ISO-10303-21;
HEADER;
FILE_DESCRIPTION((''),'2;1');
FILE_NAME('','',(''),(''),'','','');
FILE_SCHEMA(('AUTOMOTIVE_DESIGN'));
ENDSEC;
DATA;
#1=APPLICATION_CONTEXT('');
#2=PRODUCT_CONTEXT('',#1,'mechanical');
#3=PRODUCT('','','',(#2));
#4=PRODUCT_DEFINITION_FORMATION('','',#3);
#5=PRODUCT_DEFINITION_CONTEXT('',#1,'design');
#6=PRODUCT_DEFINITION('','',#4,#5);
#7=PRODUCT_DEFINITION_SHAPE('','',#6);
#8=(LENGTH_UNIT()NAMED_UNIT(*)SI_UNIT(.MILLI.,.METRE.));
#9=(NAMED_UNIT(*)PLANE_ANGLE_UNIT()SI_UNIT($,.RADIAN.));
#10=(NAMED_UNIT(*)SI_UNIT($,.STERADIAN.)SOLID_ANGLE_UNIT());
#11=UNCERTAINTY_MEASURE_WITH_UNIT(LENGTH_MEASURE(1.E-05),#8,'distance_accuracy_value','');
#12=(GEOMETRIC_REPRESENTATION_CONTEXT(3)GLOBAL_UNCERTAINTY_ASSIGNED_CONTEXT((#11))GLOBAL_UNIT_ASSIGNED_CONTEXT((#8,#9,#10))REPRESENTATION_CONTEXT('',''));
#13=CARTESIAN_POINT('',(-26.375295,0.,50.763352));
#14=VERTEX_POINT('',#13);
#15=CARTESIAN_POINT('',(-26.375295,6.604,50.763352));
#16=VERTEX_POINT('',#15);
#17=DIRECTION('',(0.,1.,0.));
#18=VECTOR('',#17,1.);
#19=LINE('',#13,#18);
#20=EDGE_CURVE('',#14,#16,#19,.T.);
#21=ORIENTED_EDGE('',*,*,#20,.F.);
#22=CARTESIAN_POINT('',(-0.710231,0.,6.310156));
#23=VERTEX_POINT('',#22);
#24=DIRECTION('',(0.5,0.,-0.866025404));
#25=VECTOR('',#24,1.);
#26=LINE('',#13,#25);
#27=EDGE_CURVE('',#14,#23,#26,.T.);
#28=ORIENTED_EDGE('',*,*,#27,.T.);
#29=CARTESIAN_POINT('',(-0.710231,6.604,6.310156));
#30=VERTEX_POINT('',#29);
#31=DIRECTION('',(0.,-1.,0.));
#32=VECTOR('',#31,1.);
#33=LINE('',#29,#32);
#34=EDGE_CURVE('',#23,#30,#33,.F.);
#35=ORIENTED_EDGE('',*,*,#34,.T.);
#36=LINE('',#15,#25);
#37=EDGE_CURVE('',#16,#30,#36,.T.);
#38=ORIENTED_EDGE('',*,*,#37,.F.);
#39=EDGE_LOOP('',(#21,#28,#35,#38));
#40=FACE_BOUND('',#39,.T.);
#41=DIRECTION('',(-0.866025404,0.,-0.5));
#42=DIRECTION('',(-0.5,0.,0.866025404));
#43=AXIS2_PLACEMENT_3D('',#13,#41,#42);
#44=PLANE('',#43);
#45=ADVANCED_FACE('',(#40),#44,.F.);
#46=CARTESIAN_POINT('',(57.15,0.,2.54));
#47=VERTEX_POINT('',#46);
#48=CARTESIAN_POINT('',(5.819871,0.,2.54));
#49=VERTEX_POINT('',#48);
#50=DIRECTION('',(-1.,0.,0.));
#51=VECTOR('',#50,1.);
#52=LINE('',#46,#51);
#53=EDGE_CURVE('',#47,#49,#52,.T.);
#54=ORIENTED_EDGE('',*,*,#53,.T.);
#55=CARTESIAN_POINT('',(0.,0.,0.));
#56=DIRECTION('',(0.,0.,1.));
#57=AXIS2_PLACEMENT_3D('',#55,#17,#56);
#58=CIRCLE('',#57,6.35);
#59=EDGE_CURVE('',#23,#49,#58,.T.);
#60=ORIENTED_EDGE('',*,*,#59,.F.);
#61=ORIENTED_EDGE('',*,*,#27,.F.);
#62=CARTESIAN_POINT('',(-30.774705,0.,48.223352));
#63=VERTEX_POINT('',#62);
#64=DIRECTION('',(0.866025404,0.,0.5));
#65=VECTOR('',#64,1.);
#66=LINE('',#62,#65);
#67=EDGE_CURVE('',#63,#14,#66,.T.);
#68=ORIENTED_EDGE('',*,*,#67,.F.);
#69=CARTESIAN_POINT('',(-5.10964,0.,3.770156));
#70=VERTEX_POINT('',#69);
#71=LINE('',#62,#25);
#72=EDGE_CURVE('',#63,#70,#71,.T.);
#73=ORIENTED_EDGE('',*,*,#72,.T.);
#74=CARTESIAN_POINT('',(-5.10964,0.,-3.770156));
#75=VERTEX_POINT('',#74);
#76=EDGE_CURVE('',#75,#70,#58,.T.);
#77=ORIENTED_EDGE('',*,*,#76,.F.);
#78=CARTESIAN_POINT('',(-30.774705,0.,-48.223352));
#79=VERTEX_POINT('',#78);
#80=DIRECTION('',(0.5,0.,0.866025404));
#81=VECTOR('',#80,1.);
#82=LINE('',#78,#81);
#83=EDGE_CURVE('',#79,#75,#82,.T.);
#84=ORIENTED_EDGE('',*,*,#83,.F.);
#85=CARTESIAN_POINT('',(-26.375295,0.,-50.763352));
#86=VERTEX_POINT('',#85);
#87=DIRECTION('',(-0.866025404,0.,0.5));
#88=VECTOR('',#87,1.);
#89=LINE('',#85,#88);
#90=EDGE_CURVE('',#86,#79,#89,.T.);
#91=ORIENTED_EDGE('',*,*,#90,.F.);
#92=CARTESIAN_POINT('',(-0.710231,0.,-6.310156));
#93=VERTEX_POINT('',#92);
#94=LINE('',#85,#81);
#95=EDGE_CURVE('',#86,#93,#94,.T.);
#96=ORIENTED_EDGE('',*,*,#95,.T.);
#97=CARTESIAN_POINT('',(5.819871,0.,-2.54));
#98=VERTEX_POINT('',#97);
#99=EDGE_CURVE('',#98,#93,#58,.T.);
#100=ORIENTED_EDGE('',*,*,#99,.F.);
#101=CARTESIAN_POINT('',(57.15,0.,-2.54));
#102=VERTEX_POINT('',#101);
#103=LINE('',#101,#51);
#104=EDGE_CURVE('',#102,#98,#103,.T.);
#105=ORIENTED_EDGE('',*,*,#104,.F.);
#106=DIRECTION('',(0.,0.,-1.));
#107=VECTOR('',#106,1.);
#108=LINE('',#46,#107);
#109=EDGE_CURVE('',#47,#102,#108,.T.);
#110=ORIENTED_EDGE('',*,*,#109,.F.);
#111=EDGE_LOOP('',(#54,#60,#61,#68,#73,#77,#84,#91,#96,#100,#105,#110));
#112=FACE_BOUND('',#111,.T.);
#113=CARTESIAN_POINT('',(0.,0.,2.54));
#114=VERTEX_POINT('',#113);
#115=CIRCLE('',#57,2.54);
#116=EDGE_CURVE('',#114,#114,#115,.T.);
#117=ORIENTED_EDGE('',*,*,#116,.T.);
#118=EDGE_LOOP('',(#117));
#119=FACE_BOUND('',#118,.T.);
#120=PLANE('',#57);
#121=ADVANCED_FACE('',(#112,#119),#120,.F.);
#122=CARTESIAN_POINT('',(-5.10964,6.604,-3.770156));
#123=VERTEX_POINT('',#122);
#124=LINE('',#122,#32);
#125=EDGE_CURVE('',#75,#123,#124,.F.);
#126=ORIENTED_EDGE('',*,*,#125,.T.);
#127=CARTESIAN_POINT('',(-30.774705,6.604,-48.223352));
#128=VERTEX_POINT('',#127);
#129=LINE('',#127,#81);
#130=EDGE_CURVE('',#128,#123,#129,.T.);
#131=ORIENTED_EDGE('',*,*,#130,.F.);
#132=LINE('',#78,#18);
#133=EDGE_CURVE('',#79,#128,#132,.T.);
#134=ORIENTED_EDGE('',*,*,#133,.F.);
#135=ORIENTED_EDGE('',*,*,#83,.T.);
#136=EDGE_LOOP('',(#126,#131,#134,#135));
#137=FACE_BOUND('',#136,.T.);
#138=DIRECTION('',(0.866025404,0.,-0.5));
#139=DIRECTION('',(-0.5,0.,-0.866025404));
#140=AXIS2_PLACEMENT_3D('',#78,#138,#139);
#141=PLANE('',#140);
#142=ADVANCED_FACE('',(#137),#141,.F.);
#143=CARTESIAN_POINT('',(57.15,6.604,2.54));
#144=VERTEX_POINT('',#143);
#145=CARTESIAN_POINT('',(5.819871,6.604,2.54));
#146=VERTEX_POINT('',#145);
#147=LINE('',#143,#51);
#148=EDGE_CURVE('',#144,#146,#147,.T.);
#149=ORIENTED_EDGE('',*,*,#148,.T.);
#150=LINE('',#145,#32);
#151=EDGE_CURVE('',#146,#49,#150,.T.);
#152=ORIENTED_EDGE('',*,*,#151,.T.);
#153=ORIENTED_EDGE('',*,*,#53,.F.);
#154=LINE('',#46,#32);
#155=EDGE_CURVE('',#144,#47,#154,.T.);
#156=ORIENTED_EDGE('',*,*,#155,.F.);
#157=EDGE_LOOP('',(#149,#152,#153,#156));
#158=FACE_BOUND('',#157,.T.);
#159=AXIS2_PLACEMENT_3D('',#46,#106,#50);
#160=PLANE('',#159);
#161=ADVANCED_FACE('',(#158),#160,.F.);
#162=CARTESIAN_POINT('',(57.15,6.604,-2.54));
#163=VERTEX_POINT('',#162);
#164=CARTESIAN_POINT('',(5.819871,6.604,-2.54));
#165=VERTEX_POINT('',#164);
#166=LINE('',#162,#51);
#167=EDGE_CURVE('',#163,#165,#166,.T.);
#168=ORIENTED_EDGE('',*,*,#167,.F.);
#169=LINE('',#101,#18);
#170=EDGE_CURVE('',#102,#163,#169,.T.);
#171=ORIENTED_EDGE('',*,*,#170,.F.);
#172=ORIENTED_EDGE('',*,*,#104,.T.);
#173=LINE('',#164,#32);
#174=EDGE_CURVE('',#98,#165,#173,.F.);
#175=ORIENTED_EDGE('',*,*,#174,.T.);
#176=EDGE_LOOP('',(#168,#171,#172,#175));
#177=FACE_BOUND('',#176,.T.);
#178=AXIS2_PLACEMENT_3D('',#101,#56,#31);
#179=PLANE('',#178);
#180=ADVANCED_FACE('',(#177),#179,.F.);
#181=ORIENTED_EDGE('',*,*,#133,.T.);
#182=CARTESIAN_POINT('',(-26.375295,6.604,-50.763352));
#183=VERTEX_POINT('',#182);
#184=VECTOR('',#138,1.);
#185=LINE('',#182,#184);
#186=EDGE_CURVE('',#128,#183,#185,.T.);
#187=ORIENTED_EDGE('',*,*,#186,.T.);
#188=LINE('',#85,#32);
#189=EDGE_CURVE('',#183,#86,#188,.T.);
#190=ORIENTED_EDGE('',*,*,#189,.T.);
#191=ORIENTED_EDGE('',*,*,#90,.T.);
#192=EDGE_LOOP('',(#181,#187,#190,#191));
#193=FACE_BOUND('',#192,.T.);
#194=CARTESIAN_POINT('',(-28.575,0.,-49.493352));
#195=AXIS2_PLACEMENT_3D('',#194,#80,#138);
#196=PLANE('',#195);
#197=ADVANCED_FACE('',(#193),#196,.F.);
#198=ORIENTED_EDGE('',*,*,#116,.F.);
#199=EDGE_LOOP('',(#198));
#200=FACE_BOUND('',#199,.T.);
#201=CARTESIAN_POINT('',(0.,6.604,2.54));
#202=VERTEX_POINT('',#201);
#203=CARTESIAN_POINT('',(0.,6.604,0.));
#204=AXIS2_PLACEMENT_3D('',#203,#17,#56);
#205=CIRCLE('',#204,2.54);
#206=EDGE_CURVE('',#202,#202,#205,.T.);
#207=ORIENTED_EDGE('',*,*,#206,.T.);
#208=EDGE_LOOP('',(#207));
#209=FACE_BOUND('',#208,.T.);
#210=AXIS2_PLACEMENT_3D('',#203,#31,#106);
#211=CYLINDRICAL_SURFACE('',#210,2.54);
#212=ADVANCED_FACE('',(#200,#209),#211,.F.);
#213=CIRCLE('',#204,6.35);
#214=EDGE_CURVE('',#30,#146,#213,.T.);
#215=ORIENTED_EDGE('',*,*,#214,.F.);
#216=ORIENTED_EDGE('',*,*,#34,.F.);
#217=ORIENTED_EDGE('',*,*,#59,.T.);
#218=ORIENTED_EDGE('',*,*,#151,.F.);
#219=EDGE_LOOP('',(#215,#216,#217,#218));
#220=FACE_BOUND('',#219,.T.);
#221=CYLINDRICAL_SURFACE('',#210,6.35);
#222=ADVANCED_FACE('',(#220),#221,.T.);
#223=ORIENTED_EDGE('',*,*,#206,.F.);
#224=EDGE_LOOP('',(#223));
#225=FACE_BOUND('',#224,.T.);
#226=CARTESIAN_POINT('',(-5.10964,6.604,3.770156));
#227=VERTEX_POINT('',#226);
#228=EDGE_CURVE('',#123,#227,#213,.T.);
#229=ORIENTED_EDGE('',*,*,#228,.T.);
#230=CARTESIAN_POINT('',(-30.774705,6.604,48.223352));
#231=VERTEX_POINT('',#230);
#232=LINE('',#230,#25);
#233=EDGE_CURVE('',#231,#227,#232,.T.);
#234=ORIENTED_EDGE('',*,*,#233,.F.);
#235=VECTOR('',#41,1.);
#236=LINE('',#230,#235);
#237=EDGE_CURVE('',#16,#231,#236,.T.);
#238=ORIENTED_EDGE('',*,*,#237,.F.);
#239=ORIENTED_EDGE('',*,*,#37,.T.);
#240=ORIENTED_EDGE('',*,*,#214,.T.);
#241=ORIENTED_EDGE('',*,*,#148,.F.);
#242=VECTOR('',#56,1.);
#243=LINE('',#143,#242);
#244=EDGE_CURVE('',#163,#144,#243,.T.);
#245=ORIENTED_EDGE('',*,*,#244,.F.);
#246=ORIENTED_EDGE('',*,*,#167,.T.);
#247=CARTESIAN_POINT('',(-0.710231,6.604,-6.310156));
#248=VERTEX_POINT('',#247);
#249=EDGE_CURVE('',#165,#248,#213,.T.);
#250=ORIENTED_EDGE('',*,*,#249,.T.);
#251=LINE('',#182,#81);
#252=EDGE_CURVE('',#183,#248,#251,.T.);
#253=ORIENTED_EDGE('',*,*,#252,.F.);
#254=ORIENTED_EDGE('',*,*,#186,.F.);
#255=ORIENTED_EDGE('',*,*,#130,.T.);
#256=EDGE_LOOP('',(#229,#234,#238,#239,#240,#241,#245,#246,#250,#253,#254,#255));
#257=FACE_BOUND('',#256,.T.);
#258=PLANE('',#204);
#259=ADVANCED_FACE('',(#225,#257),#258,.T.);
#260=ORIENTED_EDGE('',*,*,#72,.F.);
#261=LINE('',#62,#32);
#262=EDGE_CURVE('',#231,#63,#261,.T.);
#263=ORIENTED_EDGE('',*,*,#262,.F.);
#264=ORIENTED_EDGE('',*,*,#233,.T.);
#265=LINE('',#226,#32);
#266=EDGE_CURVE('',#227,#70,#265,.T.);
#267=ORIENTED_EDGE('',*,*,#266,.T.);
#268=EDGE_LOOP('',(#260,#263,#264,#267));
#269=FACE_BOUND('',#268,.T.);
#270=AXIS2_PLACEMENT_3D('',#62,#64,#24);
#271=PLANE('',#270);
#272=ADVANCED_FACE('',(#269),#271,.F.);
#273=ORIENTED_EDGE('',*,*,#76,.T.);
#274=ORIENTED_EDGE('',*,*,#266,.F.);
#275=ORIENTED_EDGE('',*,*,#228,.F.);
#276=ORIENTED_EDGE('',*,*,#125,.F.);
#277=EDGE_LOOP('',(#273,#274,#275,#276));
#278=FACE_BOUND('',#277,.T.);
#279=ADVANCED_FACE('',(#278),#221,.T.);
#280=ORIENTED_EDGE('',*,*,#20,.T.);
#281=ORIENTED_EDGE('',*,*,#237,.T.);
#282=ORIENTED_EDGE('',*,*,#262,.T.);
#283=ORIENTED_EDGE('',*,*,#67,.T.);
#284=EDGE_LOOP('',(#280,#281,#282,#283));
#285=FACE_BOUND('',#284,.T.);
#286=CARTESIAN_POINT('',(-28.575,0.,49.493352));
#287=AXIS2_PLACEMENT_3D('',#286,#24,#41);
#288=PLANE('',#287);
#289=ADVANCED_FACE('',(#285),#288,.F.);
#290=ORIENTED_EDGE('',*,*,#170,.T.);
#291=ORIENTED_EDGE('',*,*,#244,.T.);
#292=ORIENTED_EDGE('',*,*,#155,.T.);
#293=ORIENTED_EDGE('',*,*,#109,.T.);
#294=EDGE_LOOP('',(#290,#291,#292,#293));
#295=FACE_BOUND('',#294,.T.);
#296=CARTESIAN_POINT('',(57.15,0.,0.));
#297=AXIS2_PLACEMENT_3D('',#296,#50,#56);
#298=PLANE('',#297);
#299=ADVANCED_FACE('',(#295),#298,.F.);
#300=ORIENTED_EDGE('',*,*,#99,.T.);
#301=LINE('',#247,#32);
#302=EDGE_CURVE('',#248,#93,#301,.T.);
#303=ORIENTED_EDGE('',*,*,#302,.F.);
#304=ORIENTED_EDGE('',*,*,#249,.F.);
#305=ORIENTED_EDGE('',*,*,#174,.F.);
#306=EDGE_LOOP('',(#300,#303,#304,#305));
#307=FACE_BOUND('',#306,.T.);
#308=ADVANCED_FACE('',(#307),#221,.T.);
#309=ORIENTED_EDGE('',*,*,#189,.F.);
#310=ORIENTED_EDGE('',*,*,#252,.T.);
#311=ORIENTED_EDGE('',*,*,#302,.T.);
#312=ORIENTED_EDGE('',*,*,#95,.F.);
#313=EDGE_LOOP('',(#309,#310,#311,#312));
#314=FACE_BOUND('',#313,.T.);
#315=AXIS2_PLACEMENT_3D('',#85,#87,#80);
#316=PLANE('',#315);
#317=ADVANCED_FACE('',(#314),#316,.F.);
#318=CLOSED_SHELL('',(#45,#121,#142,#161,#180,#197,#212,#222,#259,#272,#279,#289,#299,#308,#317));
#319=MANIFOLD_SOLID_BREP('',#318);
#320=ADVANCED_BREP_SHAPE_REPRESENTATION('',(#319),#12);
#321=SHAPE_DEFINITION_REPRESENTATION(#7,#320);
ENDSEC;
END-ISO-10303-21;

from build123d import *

# Parameters (mm, degrees)
SKETCH1_R           = 6.35
SKETCH1_R_2         = 2.54
BOSS_EXTRUDE1_DEPTH = 6.604
BOSS_EXTRUDE2_START = -0.530129
SKETCH2_W           = 5.08
SKETCH2_H           = 6.604
BOSS_EXTRUDE2_DEPTH = 51.330129
CIRPATTERN1_COUNT   = 3


with BuildPart() as part:
    # Sketch1 → Boss-Extrude1 (new body)
    with BuildSketch(Plane(origin=(0, 0, 0), x_dir=(1, 0, 0), z_dir=(0, 1, 0))):
        Circle(SKETCH1_R)
        Circle(SKETCH1_R_2, mode=Mode.SUBTRACT)
    extrude(amount=BOSS_EXTRUDE1_DEPTH)

    # Sketch2 → Boss-Extrude2 (add)
    with BuildSketch(Plane(origin=(6.35, 0, 0), x_dir=(0, 0, -1), z_dir=(1, 0, 0)).offset(BOSS_EXTRUDE2_START)):
        with Locations((0, 3.302)):
            Rectangle(SKETCH2_W, SKETCH2_H)
    boss_extrude2 = extrude(amount=BOSS_EXTRUDE2_DEPTH)

    # CirPattern1: Boss-Extrude2 ×3 about axis
    cirpattern1_axis = Axis((0, 0, 0), (0, 1, 0))
    for i in range(1, CIRPATTERN1_COUNT):
        add(boss_extrude2.rotate(cirpattern1_axis, i * 360 / CIRPATTERN1_COUNT))


solid = part.part
